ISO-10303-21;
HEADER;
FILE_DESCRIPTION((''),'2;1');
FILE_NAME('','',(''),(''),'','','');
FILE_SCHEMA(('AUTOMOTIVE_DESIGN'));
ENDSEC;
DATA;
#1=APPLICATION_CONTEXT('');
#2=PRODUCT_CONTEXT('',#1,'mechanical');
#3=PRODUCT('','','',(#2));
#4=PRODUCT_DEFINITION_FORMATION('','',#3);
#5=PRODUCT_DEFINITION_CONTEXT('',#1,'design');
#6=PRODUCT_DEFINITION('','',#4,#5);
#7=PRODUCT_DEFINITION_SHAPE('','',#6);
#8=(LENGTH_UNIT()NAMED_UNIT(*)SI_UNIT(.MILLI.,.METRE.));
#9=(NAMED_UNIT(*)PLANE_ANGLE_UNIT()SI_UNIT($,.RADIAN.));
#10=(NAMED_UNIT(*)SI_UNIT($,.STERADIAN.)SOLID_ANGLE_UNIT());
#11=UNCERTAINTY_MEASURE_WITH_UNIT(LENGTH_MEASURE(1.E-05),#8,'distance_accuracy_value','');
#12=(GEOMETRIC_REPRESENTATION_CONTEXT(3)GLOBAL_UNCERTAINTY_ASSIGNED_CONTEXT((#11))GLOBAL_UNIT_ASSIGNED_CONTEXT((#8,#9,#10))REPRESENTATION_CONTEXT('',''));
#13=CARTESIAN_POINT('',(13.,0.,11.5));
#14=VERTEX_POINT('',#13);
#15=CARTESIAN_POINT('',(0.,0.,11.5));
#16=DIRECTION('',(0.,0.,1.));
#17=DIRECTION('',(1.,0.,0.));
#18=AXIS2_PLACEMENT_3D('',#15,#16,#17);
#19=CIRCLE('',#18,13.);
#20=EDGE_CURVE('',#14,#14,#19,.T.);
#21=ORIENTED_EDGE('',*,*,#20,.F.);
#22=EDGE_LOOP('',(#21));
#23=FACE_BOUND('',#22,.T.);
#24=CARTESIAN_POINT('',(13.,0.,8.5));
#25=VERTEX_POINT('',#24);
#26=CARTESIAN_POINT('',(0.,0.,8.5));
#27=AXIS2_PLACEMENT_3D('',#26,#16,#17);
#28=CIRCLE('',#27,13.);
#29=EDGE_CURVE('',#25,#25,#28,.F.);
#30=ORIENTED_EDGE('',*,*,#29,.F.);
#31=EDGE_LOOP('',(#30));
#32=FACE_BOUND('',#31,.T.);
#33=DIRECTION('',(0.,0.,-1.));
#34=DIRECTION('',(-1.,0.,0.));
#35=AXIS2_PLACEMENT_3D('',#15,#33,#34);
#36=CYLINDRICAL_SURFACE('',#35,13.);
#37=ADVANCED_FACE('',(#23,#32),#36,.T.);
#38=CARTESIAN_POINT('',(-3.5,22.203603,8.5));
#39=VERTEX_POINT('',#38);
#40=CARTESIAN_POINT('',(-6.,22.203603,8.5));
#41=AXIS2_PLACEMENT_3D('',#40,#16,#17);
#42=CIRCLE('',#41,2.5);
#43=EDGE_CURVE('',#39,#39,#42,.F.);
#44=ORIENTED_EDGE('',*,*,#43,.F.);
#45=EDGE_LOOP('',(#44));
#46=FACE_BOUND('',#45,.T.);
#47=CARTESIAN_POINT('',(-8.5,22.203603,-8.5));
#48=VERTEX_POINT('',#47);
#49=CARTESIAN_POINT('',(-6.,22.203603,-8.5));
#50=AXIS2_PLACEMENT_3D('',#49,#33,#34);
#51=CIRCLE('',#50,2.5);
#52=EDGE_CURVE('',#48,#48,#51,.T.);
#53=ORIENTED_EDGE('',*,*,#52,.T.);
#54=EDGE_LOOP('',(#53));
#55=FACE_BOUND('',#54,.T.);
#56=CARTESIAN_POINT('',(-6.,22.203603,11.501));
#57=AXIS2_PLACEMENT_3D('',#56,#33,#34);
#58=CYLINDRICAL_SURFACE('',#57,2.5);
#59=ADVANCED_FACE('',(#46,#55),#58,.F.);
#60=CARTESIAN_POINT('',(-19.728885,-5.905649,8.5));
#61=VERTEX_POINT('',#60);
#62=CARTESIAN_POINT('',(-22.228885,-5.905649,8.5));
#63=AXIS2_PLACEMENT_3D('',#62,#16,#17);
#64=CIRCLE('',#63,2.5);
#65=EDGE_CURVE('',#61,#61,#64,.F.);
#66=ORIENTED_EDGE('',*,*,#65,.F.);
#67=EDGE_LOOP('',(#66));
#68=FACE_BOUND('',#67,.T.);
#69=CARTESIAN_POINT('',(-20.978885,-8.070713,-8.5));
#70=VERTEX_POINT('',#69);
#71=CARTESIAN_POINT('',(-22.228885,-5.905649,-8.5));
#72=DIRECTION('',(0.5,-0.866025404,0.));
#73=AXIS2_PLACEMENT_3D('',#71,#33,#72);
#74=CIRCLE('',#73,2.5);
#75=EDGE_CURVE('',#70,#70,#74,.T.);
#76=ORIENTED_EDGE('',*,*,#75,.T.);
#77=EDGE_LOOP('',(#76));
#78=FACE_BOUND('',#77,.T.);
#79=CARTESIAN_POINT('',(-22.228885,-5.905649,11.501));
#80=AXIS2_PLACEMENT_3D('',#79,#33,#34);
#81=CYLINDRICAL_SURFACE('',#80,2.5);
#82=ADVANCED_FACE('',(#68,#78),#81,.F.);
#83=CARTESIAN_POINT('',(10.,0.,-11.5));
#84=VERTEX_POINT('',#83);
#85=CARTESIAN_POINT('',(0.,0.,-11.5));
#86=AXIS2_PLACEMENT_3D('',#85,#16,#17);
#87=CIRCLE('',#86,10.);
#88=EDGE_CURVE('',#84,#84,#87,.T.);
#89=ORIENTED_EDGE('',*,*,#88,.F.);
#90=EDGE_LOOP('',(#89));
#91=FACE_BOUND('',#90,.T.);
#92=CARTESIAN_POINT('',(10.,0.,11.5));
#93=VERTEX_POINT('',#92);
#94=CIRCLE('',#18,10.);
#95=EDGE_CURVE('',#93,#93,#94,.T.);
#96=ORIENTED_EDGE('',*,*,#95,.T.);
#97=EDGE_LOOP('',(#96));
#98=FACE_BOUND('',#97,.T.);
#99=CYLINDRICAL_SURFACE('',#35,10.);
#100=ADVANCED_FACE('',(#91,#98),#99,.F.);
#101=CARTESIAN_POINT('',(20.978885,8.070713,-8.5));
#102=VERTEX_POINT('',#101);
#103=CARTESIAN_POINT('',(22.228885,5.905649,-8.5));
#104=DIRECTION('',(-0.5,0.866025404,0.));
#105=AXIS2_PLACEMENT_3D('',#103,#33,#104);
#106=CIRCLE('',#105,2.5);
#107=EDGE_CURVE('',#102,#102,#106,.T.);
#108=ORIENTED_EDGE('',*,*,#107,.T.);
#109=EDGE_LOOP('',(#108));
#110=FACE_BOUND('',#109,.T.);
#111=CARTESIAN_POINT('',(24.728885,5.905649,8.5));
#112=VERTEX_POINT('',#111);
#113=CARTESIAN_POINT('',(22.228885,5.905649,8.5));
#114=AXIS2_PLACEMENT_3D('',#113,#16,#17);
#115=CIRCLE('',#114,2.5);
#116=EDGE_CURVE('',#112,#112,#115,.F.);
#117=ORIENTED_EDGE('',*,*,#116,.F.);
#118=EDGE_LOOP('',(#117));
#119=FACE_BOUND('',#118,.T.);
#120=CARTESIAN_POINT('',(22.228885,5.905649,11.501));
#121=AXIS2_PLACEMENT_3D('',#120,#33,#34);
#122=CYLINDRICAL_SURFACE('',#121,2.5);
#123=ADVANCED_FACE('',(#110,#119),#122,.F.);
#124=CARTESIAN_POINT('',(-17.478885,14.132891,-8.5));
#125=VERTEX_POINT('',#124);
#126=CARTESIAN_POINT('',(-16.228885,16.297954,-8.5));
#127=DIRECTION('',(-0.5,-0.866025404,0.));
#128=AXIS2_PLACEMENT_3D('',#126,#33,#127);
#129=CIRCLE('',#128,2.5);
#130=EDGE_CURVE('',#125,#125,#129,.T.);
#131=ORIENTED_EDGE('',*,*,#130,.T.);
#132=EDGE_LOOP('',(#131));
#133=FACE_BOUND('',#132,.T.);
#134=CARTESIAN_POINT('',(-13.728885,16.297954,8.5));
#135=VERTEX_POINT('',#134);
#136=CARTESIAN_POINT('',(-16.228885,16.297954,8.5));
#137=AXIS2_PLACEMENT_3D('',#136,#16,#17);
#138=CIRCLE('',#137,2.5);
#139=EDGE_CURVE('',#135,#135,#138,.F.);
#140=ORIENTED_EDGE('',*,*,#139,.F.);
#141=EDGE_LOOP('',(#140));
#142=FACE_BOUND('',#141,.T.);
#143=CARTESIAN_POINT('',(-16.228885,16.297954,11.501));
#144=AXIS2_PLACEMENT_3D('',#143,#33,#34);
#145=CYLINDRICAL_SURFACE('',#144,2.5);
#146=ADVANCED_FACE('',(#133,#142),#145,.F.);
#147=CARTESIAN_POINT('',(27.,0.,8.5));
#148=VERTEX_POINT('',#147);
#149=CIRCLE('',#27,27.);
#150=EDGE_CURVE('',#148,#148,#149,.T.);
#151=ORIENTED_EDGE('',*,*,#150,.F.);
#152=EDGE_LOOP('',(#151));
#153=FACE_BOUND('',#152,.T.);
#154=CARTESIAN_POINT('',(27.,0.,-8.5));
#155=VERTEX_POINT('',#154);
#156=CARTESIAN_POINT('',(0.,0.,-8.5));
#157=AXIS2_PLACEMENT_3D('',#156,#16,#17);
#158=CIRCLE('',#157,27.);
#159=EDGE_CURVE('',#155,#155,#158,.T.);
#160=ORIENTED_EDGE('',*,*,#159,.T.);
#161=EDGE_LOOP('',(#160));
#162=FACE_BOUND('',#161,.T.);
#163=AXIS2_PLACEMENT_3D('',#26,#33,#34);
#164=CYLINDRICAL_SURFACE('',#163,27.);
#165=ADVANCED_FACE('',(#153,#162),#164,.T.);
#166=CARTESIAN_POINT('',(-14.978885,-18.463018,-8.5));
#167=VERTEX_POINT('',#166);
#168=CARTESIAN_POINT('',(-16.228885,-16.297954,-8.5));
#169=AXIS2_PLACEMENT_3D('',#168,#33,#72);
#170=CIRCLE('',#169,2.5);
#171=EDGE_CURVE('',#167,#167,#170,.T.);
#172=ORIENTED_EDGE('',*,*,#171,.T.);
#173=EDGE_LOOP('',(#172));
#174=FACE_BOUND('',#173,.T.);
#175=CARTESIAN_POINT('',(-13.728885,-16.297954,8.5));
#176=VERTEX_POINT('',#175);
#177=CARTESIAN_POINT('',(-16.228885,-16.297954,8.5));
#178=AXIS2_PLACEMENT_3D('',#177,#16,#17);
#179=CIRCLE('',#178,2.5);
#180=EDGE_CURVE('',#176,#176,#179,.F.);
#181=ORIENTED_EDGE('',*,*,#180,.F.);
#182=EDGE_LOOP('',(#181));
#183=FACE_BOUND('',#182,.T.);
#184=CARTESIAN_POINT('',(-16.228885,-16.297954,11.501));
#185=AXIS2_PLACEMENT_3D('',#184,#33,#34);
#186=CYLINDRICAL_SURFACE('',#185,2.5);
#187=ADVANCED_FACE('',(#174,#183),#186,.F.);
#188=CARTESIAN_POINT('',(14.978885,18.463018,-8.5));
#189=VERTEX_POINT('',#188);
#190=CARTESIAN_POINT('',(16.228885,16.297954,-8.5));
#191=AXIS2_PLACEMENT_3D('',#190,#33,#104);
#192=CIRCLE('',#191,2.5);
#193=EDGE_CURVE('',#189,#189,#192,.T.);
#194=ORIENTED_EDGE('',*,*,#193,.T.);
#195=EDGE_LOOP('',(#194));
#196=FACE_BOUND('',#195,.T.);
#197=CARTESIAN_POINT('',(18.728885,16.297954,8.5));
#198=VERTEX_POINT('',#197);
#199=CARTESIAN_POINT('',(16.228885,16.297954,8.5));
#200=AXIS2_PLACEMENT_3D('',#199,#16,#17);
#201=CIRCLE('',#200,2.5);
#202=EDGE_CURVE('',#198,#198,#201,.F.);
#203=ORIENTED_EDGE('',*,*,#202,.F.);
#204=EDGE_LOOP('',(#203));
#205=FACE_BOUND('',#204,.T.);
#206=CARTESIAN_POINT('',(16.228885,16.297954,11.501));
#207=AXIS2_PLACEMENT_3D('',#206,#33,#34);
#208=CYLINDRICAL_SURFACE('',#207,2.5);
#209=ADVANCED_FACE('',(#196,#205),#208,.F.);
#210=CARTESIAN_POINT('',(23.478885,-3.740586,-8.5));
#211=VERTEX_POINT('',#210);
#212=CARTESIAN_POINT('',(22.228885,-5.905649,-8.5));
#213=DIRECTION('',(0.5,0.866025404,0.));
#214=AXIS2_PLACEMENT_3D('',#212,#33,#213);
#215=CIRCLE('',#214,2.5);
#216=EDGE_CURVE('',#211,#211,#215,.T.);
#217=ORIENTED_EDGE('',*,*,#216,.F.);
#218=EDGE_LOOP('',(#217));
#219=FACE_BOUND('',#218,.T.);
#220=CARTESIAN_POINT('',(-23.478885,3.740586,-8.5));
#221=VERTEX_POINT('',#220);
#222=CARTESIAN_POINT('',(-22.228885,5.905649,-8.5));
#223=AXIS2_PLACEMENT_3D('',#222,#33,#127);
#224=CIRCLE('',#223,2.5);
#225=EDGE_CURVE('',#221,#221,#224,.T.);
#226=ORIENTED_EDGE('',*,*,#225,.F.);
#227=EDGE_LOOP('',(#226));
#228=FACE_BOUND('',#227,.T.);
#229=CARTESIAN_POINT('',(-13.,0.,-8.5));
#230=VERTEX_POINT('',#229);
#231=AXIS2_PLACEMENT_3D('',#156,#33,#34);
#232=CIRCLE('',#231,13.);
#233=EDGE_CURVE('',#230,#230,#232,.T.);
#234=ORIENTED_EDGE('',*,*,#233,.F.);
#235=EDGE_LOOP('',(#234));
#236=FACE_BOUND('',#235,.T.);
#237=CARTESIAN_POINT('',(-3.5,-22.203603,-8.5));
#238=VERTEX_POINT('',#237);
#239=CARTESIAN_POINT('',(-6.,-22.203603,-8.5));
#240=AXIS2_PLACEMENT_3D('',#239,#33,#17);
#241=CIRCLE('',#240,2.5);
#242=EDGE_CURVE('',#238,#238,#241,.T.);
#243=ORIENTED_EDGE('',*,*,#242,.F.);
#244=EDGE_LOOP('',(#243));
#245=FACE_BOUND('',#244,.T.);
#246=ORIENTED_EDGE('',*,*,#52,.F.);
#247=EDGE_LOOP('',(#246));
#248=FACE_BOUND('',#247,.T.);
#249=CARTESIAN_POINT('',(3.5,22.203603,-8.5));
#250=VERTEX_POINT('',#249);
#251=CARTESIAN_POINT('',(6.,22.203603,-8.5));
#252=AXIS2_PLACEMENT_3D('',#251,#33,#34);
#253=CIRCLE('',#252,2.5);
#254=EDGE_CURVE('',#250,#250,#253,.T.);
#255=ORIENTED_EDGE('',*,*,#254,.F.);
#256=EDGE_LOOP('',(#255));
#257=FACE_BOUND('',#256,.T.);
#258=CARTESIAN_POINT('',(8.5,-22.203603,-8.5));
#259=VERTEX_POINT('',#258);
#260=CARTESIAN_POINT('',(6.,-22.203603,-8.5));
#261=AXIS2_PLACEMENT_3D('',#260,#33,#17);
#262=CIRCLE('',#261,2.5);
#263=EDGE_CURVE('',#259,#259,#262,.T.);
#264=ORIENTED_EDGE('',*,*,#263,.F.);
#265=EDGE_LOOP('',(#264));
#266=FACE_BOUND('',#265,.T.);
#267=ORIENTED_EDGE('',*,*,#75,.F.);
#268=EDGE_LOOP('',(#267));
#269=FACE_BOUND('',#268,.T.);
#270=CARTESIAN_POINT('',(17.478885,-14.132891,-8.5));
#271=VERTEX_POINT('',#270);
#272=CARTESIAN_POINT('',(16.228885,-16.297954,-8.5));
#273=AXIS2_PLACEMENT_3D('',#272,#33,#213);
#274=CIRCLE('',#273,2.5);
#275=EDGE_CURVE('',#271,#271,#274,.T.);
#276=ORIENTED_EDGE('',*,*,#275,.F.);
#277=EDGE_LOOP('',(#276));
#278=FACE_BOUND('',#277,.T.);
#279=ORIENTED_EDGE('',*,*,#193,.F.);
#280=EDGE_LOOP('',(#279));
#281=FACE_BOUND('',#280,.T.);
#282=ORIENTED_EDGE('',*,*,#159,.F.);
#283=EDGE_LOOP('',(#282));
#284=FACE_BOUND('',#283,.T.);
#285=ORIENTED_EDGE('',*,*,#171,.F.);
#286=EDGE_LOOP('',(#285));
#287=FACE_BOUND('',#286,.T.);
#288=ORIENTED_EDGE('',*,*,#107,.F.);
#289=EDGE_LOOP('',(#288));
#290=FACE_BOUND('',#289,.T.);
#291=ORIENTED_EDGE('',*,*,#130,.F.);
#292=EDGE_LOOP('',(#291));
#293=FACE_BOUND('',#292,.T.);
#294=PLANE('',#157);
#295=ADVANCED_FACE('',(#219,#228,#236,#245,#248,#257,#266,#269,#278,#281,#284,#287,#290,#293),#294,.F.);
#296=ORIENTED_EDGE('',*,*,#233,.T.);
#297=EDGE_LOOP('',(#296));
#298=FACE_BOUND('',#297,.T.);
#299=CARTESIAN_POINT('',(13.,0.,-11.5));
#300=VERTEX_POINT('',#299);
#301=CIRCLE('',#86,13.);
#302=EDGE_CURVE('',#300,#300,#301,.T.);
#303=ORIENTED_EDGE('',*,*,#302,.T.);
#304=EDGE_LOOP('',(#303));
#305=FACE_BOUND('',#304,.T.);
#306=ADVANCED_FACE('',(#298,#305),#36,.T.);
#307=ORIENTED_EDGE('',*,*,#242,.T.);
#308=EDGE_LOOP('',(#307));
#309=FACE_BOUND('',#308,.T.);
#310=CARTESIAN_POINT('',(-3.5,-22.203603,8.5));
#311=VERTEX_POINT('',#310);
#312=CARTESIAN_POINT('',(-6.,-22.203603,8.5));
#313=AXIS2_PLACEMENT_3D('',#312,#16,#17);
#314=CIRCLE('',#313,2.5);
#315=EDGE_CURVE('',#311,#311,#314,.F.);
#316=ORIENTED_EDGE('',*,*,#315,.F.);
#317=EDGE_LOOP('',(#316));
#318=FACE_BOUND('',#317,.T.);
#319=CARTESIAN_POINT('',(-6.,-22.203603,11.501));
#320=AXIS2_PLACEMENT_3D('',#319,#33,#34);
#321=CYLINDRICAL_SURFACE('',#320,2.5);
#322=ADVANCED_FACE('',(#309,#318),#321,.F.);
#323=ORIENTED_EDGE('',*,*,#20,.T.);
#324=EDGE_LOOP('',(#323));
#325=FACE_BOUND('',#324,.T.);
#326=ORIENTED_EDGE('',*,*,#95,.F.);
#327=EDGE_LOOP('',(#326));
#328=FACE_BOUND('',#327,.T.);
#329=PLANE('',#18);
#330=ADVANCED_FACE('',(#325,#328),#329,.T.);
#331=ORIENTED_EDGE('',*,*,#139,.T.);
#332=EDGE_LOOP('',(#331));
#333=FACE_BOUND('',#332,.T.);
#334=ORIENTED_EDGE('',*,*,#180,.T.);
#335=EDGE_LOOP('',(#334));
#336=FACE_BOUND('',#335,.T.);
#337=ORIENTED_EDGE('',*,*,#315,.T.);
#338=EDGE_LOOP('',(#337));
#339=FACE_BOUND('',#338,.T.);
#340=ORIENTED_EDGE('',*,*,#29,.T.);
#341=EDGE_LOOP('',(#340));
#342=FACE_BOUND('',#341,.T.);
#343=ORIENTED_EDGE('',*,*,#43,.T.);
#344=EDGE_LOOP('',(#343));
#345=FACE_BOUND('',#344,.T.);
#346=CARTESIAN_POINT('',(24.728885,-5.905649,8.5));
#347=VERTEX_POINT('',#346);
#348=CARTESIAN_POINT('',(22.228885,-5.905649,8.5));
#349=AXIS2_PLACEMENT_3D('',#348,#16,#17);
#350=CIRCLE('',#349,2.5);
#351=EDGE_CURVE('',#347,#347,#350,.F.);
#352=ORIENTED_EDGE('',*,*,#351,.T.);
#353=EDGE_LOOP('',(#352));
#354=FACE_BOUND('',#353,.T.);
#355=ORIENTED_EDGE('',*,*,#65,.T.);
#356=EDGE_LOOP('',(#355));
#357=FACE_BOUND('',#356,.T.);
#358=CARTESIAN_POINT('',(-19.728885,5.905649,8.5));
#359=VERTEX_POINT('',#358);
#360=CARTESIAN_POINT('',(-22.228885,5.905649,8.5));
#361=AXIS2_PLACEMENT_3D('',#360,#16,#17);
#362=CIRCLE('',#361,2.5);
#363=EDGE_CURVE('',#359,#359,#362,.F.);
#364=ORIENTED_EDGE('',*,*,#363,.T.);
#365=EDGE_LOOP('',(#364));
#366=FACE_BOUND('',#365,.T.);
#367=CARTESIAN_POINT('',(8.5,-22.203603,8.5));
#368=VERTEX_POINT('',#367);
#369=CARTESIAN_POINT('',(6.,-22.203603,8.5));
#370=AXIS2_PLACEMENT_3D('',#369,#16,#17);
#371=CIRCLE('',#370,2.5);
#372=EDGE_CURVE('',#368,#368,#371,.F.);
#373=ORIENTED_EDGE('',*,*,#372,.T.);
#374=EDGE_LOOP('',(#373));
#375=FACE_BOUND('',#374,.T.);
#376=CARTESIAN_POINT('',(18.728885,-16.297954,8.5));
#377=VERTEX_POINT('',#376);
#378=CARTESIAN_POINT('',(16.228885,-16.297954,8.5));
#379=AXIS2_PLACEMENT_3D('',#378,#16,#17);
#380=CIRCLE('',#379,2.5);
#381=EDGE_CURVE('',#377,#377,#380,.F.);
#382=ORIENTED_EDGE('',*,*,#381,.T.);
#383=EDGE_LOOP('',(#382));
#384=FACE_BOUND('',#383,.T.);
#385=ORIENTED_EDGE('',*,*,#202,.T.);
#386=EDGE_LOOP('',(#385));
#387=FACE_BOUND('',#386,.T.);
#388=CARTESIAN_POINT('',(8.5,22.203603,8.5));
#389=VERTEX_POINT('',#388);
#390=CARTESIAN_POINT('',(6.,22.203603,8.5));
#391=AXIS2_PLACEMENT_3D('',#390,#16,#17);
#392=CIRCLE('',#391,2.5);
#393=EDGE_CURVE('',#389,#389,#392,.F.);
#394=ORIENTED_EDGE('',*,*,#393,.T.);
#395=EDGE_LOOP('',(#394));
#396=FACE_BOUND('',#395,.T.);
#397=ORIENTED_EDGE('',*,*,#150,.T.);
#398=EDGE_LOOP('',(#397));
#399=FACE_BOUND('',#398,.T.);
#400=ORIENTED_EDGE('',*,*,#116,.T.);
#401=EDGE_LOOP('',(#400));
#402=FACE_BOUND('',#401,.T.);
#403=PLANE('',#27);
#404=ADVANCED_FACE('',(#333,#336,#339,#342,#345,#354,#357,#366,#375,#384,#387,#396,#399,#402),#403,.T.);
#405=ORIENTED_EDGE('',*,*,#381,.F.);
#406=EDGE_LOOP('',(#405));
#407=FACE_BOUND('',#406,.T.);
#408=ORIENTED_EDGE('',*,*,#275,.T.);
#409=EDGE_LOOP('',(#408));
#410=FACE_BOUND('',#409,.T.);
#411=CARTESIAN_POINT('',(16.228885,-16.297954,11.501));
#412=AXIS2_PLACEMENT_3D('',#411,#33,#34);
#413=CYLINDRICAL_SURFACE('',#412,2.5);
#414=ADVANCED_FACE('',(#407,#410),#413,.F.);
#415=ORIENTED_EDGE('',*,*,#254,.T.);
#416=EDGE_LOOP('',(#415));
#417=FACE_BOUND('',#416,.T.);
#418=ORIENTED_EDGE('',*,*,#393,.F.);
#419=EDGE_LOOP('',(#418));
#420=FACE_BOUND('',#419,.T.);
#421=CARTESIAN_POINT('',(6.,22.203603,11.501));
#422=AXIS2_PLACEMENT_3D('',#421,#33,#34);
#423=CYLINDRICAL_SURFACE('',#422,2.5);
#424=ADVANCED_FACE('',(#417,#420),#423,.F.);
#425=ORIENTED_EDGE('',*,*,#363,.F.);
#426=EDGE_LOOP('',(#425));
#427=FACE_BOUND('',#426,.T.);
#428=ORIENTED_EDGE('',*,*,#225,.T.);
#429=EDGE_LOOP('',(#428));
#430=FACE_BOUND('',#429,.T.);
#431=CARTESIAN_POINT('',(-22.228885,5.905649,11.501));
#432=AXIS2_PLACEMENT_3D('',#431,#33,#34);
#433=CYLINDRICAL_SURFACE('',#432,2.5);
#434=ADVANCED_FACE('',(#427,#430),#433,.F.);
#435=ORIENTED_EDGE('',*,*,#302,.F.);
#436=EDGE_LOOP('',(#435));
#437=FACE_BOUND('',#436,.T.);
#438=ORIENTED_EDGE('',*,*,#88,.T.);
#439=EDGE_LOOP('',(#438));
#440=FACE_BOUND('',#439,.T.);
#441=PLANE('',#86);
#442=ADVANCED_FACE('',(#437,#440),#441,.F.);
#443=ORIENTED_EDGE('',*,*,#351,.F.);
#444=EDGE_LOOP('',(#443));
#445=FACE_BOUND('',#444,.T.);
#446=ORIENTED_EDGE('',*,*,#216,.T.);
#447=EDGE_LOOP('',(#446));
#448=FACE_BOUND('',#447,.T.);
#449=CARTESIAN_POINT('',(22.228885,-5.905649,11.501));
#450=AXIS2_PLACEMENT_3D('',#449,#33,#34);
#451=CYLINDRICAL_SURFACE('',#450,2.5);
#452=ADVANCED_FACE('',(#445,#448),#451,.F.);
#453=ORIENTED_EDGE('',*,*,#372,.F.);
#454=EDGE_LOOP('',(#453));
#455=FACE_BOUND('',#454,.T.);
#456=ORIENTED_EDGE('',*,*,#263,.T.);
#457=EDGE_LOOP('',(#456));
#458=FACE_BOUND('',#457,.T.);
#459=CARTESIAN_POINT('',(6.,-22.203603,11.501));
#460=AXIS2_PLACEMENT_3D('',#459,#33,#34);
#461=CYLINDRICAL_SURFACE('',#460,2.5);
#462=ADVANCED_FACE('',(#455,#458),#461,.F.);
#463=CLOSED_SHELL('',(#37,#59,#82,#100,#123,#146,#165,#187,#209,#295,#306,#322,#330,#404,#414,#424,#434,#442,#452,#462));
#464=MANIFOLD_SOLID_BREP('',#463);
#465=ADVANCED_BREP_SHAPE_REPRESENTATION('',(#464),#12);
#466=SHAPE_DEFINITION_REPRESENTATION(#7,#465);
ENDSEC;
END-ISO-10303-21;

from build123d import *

# Parameters (mm, degrees)
SKETCH_3_R               = 27
EXTRUDE_1_DEPTH          = 8.5
SKETCH_5_R               = 13
CUT_EXTRUDE_2_DEPTH      = 42.797129088
SKETCH_8_R               = 13
SKETCH_8_R_2             = 10
EXTRUDE_2_DEPTH          = 11.5
CUT_EXTRUDE_3_REACH      = 45.105
SKETCH_9_R               = 2.5
PATTERN_CIRCULAR_2_COUNT = 6


with BuildPart() as part:
    # 草图3 → 凸台-拉伸1 (new, symmetric)
    with BuildSketch(Plane.XY):
        Circle(SKETCH_3_R)
    extrude(amount=EXTRUDE_1_DEPTH, both=True)

    # 草图5 → 切除-拉伸2 (cut, through all)
    with BuildSketch(Plane(origin=(0, 0, -8.5), x_dir=(-1, 0, 0), z_dir=(0, 0, -1))):
        Circle(SKETCH_5_R)
    extrude(amount=-CUT_EXTRUDE_2_DEPTH, mode=Mode.SUBTRACT)

    # 草图8 → 凸台-拉伸2 (add, symmetric)
    with BuildSketch(Plane.XY):
        with Locations(Location((0, 0, 0), (0, 0, 180))):
            Circle(SKETCH_8_R)
        Circle(SKETCH_8_R_2, mode=Mode.SUBTRACT)
    extrude(amount=EXTRUDE_2_DEPTH, both=True)

    # 草图9 → 切除-拉伸3 (cut, up to next)
    with BuildSketch(Plane(origin=(0, 0, -8.5), x_dir=(-1, 0, 0), z_dir=(0, 0, -1)), mode=Mode.PRIVATE) as cut_extrude_3_sk1:
        with Locations((-6, 22.203603311)):
            Circle(SKETCH_9_R)
    cut_extrude_3_tool1 = extrude(cut_extrude_3_sk1.sketch, amount=-CUT_EXTRUDE_3_REACH, mode=Mode.PRIVATE) & part.part
    # 草图9 → 切除-拉伸3 (cut, up to next)
    with BuildSketch(Plane(origin=(0, 0, -8.5), x_dir=(-1, 0, 0), z_dir=(0, 0, -1)), mode=Mode.PRIVATE) as cut_extrude_3_sk2:
        with Locations((6, 22.203603311)):
            Circle(SKETCH_9_R)
    cut_extrude_3_tool2 = extrude(cut_extrude_3_sk2.sketch, amount=-CUT_EXTRUDE_3_REACH, mode=Mode.PRIVATE) & part.part
    cut_extrude_3_1 = cut_extrude_3_tool1.solids().sort_by_distance((6, 22.203603, -8.5))[0]
    add(cut_extrude_3_1, mode=Mode.SUBTRACT)
    cut_extrude_3_2 = cut_extrude_3_tool2.solids().sort_by_distance((-6, 22.203603, -8.5))[0]
    add(cut_extrude_3_2, mode=Mode.SUBTRACT)
    cut_extrude_3 = cut_extrude_3_1 + cut_extrude_3_2  # 切除-拉伸3 as one shape, for the pattern or mirror that repeats it

    # 阵列(圆周)2: 切除-拉伸3 ×6 about axis
    pattern_circular_2_axis = Axis((0, 0, 0), (0, 0, 1))
    for i in range(1, PATTERN_CIRCULAR_2_COUNT):
        add(cut_extrude_3.rotate(pattern_circular_2_axis, i * 360 / PATTERN_CIRCULAR_2_COUNT), mode=Mode.SUBTRACT)


solid = part.part
